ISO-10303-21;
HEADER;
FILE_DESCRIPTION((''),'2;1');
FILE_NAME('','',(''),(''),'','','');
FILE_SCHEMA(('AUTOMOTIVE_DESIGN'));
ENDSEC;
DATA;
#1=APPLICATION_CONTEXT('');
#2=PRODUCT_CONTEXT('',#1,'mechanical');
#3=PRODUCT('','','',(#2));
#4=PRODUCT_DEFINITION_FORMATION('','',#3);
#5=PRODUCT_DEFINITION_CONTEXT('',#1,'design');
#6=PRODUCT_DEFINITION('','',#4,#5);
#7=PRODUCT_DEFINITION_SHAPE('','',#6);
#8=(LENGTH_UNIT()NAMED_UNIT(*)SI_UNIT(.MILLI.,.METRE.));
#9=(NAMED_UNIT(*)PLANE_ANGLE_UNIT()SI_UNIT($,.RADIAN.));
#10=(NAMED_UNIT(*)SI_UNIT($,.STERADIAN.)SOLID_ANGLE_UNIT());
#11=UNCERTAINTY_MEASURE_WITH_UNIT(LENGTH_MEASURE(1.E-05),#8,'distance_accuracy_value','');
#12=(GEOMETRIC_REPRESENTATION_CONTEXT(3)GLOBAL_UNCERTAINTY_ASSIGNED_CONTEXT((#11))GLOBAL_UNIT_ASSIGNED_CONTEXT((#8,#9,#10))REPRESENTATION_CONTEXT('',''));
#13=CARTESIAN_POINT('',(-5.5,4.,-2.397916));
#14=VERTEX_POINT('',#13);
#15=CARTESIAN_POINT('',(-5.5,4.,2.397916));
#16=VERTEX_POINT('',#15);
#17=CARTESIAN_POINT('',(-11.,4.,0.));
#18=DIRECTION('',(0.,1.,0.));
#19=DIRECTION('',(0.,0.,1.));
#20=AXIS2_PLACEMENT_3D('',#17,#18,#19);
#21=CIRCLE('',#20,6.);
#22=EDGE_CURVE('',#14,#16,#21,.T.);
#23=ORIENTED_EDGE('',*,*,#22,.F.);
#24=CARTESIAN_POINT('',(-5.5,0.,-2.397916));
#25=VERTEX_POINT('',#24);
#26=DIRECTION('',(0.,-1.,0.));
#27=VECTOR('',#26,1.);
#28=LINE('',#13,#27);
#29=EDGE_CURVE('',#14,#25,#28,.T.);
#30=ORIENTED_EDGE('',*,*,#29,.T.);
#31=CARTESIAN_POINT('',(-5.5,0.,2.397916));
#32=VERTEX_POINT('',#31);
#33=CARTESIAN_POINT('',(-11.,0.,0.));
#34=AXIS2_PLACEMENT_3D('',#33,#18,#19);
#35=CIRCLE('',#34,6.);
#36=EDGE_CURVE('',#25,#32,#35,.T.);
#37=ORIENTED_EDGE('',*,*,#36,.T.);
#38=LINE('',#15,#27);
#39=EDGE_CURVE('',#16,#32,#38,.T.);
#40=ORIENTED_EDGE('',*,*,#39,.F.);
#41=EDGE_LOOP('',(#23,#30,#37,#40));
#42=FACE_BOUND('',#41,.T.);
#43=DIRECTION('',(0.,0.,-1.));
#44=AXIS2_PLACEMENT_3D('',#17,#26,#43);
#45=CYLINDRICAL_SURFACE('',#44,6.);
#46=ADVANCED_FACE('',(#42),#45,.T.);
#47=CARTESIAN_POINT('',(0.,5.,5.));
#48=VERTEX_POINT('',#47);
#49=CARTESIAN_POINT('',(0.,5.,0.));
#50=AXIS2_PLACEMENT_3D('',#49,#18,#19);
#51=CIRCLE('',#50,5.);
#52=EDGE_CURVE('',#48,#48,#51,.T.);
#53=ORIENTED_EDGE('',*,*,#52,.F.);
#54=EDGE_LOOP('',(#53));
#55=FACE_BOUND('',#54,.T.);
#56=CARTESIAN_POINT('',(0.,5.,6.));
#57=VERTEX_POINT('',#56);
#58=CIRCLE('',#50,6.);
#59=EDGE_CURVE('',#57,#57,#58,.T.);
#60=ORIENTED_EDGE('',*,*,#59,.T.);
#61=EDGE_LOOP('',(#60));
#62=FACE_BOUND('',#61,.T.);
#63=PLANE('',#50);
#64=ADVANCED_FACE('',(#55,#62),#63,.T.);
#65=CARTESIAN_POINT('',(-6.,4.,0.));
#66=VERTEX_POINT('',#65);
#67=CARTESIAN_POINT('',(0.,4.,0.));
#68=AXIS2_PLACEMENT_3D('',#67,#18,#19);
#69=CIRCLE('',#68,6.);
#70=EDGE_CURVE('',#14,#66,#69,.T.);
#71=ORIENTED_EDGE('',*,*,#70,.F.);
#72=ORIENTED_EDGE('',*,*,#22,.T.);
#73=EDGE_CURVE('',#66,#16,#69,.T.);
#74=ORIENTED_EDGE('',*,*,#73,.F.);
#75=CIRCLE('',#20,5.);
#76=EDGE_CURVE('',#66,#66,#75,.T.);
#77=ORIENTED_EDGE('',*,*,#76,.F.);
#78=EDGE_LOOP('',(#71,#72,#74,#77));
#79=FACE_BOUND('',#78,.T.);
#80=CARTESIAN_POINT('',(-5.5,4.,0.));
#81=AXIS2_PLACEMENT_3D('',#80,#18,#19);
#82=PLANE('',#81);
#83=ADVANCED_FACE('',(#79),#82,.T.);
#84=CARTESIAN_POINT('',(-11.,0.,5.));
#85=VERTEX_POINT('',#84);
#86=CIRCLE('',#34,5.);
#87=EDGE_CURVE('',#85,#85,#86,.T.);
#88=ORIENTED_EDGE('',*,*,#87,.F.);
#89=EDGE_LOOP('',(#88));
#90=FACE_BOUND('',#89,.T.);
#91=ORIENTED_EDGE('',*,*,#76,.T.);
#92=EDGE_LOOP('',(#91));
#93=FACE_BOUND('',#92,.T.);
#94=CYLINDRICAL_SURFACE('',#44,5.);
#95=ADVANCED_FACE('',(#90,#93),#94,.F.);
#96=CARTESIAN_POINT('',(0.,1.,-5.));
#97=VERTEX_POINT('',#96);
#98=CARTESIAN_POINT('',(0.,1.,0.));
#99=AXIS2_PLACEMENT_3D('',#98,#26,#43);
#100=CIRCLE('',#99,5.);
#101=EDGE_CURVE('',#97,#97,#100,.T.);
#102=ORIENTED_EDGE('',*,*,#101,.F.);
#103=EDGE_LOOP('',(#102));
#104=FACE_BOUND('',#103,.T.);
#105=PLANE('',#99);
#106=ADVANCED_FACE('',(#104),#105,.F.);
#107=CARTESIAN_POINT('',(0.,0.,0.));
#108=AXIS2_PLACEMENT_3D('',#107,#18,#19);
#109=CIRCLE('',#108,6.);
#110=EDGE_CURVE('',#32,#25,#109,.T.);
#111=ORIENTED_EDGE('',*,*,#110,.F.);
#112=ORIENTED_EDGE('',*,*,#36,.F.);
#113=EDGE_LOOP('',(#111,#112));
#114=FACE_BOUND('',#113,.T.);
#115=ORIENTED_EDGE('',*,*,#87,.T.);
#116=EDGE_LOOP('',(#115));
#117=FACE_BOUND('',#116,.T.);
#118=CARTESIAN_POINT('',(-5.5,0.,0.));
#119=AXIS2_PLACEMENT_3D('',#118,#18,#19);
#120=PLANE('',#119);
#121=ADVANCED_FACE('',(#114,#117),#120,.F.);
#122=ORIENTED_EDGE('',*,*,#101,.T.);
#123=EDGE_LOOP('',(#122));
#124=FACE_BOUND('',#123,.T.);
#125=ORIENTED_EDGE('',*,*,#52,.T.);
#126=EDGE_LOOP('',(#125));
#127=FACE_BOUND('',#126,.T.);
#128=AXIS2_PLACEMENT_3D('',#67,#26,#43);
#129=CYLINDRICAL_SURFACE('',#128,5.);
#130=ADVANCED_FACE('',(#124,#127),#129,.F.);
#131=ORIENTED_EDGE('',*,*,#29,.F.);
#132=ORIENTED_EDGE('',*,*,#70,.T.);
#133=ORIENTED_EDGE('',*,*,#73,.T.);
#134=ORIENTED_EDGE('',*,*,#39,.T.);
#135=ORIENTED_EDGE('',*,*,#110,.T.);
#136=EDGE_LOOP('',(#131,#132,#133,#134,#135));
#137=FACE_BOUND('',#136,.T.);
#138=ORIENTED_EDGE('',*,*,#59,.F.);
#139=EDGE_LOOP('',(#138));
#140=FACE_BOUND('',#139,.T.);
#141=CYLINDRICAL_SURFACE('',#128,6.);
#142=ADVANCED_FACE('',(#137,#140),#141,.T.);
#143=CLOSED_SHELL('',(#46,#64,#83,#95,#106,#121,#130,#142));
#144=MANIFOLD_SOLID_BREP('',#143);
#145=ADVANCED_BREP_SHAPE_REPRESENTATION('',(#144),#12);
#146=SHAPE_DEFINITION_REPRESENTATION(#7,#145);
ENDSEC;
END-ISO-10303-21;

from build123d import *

# Parameters (mm, degrees)
SKETCH_1_R      = 5
EXTRUDE_1_DEPTH = 4
SKETCH_2_R      = 6
EXTRUDE_2_DEPTH = 1
SKETCH_4_R      = 6
SKETCH_4_R_2    = 5
EXTRUDE_3_DEPTH = 1


with BuildPart() as part:
    # Эскиз1 → Бобышка-Вытянуть1 (new body)
    with BuildSketch(Plane(origin=(0, 0, 0), x_dir=(1, 0, 0), z_dir=(0, 1, 0))):
        with BuildLine():
            ThreePointArc((-5.5, -2.397915762), (6, 0), (-5.5, 2.397915762))
            ThreePointArc((-5.5, 2.397915762), (-17, 0), (-5.5, -2.397915762))
        make_face()
        with Locations(Location((0, 0, 0), (0, 0, 270))):
            Circle(SKETCH_1_R, mode=Mode.SUBTRACT)
        with Locations(Location((-11, 0, 0), (0, 0, 270))):
            Circle(SKETCH_1_R, mode=Mode.SUBTRACT)
    extrude(amount=EXTRUDE_1_DEPTH)

    # Эскиз2 → Бобышка-Вытянуть2 (add)
    with BuildSketch(Plane.XZ):
        Circle(SKETCH_2_R)
    extrude(amount=-EXTRUDE_2_DEPTH)

    # Эскиз4 → Бобышка-Вытянуть3 (add)
    with BuildSketch(Plane(origin=(0, 4, 0), x_dir=(1, 0, 0), z_dir=(0, 1, 0))):
        with Locations(Location((0, 0, 0), (0, 0, 156.443535691))):
            Circle(SKETCH_4_R)
        with Locations(Location((0, 0, 0), (0, 0, 90))):
            Circle(SKETCH_4_R_2, mode=Mode.SUBTRACT)
    extrude(amount=EXTRUDE_3_DEPTH)


solid = part.part
